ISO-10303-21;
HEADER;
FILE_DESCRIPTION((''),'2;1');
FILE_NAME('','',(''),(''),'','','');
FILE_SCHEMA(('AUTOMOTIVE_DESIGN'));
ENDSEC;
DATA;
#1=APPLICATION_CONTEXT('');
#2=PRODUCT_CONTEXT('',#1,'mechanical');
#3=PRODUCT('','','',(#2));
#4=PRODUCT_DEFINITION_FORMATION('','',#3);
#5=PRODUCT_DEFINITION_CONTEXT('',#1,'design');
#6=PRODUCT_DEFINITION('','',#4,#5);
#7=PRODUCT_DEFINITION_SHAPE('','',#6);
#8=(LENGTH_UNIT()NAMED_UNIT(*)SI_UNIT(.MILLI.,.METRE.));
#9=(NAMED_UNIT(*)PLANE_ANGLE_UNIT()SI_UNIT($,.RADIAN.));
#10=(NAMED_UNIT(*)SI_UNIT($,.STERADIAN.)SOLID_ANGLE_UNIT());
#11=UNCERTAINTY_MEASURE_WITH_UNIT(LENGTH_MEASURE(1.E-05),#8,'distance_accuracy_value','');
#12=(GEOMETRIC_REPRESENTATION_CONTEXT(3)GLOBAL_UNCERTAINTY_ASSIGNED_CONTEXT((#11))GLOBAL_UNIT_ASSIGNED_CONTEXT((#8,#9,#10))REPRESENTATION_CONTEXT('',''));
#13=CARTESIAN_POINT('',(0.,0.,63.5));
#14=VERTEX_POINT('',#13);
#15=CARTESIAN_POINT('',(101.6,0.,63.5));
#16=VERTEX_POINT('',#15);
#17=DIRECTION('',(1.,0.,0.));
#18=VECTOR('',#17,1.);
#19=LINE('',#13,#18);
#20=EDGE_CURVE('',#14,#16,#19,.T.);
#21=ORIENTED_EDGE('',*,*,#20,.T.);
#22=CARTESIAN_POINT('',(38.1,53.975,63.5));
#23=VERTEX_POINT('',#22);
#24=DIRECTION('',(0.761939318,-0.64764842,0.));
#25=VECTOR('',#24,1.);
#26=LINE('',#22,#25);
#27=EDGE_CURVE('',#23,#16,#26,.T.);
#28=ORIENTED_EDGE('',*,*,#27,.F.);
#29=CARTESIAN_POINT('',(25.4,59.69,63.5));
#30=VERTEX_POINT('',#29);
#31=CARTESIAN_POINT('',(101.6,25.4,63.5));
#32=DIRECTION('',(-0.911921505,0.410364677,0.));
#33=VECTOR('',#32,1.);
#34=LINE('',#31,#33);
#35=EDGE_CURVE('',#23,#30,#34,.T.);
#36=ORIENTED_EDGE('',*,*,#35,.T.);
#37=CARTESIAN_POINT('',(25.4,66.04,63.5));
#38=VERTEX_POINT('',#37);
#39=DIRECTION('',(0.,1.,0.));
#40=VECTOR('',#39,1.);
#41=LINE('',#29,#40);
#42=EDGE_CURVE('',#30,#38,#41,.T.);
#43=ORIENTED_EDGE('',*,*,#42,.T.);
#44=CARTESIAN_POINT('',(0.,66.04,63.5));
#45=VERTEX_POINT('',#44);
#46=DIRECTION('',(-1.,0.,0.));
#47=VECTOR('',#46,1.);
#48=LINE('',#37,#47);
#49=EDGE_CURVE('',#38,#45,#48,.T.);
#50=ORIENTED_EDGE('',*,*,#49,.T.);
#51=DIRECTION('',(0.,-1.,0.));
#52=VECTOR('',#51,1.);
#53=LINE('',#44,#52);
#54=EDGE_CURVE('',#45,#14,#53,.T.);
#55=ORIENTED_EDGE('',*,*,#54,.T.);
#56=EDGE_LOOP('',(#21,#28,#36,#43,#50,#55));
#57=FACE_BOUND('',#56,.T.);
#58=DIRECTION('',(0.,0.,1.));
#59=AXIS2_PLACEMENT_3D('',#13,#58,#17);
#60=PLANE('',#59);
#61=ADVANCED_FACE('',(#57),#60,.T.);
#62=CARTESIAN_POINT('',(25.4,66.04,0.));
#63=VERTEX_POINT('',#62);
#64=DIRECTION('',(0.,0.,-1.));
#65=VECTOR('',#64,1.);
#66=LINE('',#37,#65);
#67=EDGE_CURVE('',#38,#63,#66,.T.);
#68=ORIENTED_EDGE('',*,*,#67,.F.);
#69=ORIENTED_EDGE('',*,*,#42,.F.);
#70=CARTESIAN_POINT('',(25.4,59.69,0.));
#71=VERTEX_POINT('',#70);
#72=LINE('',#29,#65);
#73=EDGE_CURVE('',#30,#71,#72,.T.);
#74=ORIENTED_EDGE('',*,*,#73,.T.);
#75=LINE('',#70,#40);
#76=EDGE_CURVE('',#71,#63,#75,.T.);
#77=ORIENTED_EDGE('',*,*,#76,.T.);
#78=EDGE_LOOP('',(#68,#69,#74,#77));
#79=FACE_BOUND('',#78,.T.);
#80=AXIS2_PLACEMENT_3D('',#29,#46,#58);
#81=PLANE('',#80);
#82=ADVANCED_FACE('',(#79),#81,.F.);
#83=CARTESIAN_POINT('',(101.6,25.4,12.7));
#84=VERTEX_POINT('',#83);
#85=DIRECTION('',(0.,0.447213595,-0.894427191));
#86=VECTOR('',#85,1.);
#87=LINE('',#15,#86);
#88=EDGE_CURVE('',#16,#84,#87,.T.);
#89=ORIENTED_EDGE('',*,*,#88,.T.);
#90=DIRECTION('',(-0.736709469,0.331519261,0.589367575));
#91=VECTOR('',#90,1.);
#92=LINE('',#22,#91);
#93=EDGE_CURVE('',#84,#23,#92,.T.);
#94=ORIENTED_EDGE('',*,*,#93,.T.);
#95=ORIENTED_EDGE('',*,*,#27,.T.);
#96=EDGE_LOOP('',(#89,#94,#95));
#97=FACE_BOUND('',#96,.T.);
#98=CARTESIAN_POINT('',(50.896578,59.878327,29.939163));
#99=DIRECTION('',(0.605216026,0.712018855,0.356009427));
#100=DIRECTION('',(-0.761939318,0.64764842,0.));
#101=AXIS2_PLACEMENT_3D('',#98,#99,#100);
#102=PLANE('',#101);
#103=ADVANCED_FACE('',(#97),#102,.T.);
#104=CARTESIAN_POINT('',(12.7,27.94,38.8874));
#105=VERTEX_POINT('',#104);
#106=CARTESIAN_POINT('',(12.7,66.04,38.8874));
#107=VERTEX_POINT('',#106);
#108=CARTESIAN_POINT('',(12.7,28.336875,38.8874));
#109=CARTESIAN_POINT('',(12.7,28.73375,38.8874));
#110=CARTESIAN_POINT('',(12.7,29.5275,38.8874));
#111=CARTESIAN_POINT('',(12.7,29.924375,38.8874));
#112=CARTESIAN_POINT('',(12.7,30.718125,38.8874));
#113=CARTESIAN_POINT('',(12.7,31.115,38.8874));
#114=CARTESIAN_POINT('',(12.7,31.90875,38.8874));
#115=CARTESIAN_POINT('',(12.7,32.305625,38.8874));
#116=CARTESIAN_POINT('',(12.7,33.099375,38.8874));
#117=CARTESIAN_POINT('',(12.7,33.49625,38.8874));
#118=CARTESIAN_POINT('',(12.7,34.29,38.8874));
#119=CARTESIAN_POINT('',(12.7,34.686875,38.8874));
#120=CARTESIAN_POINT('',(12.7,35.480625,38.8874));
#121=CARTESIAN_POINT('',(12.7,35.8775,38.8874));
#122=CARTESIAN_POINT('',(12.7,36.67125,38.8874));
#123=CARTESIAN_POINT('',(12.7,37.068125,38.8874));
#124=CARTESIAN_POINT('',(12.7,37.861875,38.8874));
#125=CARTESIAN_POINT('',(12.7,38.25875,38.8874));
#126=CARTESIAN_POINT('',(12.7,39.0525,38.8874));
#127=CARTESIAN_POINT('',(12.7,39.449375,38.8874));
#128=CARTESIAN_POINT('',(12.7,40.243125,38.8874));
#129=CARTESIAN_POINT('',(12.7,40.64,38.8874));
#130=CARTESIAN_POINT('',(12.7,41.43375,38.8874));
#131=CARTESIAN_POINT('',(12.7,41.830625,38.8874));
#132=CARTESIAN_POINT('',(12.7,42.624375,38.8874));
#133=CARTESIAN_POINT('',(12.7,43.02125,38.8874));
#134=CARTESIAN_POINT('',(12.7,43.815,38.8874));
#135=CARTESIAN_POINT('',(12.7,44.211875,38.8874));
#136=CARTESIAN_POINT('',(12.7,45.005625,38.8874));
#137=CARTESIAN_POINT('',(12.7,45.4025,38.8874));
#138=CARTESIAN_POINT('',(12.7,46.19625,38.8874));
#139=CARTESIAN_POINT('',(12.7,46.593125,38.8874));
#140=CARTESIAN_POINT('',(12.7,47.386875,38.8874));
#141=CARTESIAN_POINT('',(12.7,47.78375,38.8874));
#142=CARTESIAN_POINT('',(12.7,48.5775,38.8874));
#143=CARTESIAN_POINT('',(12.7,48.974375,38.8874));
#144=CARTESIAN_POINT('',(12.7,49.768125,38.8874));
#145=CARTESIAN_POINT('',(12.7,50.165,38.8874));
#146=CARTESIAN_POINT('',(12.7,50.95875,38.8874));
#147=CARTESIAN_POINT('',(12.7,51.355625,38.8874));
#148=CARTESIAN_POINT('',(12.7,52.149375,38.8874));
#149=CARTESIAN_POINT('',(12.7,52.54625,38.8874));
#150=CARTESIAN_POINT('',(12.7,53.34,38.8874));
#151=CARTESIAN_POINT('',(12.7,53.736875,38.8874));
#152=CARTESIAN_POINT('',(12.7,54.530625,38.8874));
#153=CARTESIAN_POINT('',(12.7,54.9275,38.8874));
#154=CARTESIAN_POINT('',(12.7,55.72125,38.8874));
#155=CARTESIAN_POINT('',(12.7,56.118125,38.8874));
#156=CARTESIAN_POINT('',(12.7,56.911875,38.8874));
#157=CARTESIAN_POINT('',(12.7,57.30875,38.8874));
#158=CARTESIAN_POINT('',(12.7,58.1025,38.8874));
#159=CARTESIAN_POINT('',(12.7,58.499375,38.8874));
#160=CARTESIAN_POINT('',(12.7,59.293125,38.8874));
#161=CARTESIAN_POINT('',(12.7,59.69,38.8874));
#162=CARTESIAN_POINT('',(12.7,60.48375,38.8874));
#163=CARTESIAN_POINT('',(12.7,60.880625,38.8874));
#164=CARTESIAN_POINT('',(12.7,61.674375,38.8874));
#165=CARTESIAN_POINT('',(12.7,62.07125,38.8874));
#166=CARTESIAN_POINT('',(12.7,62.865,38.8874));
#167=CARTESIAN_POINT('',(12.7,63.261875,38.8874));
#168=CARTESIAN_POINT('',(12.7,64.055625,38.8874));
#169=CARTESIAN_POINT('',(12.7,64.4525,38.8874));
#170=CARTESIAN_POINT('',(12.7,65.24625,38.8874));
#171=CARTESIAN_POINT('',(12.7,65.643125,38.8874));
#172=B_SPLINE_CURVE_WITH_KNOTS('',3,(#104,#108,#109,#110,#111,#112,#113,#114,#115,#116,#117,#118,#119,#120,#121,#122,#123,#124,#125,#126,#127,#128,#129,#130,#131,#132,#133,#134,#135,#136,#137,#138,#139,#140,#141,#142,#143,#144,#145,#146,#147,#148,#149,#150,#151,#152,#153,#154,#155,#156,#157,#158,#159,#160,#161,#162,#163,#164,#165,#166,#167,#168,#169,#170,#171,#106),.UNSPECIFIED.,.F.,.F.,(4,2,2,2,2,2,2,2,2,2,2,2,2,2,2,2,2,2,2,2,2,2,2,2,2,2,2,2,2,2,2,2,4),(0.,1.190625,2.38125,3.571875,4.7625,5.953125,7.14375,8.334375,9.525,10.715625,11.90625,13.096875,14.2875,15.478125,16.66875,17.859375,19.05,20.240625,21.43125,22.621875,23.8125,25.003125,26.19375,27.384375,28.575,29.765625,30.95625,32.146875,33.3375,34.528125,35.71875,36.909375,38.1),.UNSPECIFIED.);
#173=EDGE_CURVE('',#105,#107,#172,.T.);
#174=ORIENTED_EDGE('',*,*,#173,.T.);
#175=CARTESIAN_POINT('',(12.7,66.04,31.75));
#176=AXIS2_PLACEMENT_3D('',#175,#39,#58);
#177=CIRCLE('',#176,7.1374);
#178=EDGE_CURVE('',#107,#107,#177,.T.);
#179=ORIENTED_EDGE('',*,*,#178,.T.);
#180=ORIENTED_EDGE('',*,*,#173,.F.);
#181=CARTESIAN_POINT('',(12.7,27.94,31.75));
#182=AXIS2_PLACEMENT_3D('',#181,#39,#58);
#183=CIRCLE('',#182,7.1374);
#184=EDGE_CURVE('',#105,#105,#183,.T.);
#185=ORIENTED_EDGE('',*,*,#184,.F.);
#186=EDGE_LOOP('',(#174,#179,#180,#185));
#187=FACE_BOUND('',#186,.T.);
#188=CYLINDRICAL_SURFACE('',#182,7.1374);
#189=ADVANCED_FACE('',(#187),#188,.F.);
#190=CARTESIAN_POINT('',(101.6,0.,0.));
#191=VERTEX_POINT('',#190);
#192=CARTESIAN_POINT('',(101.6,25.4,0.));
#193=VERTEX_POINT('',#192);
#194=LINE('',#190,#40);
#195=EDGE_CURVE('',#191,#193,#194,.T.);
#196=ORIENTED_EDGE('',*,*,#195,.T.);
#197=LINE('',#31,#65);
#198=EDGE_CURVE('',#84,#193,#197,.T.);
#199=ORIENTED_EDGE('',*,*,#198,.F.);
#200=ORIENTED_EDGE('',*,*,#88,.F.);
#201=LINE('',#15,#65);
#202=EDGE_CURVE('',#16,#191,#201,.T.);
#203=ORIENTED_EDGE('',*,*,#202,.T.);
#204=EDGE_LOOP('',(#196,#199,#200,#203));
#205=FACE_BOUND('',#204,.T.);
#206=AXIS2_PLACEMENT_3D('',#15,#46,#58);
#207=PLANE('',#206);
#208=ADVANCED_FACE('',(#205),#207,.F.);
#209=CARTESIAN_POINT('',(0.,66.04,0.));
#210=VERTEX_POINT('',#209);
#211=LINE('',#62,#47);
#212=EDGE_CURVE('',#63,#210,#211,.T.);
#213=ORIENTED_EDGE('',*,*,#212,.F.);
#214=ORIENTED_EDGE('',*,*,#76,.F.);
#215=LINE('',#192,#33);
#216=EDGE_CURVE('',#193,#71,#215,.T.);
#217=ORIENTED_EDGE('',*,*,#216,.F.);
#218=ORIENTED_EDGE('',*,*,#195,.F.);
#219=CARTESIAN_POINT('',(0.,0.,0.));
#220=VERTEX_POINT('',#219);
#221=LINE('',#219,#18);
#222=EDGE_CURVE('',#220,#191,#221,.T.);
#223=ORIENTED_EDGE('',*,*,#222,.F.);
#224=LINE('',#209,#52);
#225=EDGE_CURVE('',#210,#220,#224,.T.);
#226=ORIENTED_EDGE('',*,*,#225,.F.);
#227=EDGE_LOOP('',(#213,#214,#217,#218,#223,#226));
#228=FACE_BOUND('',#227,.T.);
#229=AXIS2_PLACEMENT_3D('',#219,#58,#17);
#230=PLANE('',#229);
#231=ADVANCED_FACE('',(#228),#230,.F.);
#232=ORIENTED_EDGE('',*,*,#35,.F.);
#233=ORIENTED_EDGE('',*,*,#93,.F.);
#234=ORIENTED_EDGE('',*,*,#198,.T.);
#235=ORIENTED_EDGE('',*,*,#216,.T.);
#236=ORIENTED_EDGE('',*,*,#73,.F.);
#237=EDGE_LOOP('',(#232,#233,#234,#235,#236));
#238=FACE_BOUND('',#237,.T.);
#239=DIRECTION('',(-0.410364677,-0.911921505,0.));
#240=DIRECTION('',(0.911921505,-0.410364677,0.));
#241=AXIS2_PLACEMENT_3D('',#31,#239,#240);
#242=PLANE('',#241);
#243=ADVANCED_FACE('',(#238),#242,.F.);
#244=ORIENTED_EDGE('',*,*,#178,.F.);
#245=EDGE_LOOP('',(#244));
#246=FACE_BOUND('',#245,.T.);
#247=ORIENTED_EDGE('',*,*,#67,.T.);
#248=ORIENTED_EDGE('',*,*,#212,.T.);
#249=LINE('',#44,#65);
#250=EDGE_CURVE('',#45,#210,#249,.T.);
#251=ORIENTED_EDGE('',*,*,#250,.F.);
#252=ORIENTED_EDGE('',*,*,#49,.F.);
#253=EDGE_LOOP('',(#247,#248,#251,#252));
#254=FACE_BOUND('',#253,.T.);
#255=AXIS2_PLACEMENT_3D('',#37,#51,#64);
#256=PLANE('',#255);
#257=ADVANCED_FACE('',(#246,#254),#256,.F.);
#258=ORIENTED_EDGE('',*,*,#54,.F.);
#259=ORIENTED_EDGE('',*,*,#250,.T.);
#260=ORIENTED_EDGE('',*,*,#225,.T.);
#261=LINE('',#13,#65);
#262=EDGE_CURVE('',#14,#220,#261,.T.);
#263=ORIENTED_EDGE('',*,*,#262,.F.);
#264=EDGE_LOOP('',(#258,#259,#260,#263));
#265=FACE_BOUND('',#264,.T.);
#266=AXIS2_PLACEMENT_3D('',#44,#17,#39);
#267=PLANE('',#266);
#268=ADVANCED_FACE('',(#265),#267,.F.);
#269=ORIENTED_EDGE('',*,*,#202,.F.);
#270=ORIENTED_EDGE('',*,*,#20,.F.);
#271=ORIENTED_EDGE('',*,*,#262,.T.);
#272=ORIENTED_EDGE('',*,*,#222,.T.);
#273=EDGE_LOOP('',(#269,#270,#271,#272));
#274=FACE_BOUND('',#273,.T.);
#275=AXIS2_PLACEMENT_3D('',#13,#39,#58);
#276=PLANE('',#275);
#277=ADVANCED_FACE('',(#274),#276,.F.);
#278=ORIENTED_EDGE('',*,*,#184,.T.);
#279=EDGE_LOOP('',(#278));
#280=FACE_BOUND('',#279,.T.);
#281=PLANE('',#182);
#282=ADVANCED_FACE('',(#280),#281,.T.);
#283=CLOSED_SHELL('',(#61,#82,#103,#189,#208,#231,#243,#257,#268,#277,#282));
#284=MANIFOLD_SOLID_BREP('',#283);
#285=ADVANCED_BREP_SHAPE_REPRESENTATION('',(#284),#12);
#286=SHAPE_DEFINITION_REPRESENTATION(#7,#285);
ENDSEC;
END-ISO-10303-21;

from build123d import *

# Parameters (mm, degrees)
SALIENTE_EXTRUIR1_DEPTH = 63.5
CROQUIS4_R              = 7.1374
CORTAR_EXTRUIR1_DEPTH   = 38.1
CORTAR_EXTRUIR2_DEPTH   = 153.516992536


with BuildPart() as part:
    # Croquis3 → Saliente-Extruir1 (new body)
    with BuildSketch(Plane.XY):
        Polygon((0, 0), (101.6, 0), (101.6, 25.4), (25.4, 59.69), (25.4, 66.04), (0, 66.04), align=None)
    extrude(amount=SALIENTE_EXTRUIR1_DEPTH)

    # Croquis4 → Cortar-Extruir1 (cut)
    with BuildSketch(Plane(origin=(0, 66.04, 0), x_dir=(1, 0, 0), z_dir=(0, 1, 0))):
        with Locations(Location((12.7, -31.75, 0), (0, 0, 270))):
            Circle(CROQUIS4_R)
    extrude(amount=-CORTAR_EXTRUIR1_DEPTH, mode=Mode.SUBTRACT)

    # Croquis3D1 → Cortar-Extruir2 (cut, through all, along a direction that is not the sketch's normal)
    with BuildSketch(Plane(origin=(101.6, 0, 63.5), x_dir=(-0.7619393177594593, 0.6476484200955405, 0), z_dir=(-0.6052160263325688, -0.7120188545089043, -0.35600942725445217))):
        Polygon((0, 0), (16.45026987, 54.361646601), (83.339970152, 0), align=None)
    extrude(amount=-CORTAR_EXTRUIR2_DEPTH, dir=(-0.41036467732879794, -0.9119215051751064, 0), mode=Mode.SUBTRACT)


solid = part.part
